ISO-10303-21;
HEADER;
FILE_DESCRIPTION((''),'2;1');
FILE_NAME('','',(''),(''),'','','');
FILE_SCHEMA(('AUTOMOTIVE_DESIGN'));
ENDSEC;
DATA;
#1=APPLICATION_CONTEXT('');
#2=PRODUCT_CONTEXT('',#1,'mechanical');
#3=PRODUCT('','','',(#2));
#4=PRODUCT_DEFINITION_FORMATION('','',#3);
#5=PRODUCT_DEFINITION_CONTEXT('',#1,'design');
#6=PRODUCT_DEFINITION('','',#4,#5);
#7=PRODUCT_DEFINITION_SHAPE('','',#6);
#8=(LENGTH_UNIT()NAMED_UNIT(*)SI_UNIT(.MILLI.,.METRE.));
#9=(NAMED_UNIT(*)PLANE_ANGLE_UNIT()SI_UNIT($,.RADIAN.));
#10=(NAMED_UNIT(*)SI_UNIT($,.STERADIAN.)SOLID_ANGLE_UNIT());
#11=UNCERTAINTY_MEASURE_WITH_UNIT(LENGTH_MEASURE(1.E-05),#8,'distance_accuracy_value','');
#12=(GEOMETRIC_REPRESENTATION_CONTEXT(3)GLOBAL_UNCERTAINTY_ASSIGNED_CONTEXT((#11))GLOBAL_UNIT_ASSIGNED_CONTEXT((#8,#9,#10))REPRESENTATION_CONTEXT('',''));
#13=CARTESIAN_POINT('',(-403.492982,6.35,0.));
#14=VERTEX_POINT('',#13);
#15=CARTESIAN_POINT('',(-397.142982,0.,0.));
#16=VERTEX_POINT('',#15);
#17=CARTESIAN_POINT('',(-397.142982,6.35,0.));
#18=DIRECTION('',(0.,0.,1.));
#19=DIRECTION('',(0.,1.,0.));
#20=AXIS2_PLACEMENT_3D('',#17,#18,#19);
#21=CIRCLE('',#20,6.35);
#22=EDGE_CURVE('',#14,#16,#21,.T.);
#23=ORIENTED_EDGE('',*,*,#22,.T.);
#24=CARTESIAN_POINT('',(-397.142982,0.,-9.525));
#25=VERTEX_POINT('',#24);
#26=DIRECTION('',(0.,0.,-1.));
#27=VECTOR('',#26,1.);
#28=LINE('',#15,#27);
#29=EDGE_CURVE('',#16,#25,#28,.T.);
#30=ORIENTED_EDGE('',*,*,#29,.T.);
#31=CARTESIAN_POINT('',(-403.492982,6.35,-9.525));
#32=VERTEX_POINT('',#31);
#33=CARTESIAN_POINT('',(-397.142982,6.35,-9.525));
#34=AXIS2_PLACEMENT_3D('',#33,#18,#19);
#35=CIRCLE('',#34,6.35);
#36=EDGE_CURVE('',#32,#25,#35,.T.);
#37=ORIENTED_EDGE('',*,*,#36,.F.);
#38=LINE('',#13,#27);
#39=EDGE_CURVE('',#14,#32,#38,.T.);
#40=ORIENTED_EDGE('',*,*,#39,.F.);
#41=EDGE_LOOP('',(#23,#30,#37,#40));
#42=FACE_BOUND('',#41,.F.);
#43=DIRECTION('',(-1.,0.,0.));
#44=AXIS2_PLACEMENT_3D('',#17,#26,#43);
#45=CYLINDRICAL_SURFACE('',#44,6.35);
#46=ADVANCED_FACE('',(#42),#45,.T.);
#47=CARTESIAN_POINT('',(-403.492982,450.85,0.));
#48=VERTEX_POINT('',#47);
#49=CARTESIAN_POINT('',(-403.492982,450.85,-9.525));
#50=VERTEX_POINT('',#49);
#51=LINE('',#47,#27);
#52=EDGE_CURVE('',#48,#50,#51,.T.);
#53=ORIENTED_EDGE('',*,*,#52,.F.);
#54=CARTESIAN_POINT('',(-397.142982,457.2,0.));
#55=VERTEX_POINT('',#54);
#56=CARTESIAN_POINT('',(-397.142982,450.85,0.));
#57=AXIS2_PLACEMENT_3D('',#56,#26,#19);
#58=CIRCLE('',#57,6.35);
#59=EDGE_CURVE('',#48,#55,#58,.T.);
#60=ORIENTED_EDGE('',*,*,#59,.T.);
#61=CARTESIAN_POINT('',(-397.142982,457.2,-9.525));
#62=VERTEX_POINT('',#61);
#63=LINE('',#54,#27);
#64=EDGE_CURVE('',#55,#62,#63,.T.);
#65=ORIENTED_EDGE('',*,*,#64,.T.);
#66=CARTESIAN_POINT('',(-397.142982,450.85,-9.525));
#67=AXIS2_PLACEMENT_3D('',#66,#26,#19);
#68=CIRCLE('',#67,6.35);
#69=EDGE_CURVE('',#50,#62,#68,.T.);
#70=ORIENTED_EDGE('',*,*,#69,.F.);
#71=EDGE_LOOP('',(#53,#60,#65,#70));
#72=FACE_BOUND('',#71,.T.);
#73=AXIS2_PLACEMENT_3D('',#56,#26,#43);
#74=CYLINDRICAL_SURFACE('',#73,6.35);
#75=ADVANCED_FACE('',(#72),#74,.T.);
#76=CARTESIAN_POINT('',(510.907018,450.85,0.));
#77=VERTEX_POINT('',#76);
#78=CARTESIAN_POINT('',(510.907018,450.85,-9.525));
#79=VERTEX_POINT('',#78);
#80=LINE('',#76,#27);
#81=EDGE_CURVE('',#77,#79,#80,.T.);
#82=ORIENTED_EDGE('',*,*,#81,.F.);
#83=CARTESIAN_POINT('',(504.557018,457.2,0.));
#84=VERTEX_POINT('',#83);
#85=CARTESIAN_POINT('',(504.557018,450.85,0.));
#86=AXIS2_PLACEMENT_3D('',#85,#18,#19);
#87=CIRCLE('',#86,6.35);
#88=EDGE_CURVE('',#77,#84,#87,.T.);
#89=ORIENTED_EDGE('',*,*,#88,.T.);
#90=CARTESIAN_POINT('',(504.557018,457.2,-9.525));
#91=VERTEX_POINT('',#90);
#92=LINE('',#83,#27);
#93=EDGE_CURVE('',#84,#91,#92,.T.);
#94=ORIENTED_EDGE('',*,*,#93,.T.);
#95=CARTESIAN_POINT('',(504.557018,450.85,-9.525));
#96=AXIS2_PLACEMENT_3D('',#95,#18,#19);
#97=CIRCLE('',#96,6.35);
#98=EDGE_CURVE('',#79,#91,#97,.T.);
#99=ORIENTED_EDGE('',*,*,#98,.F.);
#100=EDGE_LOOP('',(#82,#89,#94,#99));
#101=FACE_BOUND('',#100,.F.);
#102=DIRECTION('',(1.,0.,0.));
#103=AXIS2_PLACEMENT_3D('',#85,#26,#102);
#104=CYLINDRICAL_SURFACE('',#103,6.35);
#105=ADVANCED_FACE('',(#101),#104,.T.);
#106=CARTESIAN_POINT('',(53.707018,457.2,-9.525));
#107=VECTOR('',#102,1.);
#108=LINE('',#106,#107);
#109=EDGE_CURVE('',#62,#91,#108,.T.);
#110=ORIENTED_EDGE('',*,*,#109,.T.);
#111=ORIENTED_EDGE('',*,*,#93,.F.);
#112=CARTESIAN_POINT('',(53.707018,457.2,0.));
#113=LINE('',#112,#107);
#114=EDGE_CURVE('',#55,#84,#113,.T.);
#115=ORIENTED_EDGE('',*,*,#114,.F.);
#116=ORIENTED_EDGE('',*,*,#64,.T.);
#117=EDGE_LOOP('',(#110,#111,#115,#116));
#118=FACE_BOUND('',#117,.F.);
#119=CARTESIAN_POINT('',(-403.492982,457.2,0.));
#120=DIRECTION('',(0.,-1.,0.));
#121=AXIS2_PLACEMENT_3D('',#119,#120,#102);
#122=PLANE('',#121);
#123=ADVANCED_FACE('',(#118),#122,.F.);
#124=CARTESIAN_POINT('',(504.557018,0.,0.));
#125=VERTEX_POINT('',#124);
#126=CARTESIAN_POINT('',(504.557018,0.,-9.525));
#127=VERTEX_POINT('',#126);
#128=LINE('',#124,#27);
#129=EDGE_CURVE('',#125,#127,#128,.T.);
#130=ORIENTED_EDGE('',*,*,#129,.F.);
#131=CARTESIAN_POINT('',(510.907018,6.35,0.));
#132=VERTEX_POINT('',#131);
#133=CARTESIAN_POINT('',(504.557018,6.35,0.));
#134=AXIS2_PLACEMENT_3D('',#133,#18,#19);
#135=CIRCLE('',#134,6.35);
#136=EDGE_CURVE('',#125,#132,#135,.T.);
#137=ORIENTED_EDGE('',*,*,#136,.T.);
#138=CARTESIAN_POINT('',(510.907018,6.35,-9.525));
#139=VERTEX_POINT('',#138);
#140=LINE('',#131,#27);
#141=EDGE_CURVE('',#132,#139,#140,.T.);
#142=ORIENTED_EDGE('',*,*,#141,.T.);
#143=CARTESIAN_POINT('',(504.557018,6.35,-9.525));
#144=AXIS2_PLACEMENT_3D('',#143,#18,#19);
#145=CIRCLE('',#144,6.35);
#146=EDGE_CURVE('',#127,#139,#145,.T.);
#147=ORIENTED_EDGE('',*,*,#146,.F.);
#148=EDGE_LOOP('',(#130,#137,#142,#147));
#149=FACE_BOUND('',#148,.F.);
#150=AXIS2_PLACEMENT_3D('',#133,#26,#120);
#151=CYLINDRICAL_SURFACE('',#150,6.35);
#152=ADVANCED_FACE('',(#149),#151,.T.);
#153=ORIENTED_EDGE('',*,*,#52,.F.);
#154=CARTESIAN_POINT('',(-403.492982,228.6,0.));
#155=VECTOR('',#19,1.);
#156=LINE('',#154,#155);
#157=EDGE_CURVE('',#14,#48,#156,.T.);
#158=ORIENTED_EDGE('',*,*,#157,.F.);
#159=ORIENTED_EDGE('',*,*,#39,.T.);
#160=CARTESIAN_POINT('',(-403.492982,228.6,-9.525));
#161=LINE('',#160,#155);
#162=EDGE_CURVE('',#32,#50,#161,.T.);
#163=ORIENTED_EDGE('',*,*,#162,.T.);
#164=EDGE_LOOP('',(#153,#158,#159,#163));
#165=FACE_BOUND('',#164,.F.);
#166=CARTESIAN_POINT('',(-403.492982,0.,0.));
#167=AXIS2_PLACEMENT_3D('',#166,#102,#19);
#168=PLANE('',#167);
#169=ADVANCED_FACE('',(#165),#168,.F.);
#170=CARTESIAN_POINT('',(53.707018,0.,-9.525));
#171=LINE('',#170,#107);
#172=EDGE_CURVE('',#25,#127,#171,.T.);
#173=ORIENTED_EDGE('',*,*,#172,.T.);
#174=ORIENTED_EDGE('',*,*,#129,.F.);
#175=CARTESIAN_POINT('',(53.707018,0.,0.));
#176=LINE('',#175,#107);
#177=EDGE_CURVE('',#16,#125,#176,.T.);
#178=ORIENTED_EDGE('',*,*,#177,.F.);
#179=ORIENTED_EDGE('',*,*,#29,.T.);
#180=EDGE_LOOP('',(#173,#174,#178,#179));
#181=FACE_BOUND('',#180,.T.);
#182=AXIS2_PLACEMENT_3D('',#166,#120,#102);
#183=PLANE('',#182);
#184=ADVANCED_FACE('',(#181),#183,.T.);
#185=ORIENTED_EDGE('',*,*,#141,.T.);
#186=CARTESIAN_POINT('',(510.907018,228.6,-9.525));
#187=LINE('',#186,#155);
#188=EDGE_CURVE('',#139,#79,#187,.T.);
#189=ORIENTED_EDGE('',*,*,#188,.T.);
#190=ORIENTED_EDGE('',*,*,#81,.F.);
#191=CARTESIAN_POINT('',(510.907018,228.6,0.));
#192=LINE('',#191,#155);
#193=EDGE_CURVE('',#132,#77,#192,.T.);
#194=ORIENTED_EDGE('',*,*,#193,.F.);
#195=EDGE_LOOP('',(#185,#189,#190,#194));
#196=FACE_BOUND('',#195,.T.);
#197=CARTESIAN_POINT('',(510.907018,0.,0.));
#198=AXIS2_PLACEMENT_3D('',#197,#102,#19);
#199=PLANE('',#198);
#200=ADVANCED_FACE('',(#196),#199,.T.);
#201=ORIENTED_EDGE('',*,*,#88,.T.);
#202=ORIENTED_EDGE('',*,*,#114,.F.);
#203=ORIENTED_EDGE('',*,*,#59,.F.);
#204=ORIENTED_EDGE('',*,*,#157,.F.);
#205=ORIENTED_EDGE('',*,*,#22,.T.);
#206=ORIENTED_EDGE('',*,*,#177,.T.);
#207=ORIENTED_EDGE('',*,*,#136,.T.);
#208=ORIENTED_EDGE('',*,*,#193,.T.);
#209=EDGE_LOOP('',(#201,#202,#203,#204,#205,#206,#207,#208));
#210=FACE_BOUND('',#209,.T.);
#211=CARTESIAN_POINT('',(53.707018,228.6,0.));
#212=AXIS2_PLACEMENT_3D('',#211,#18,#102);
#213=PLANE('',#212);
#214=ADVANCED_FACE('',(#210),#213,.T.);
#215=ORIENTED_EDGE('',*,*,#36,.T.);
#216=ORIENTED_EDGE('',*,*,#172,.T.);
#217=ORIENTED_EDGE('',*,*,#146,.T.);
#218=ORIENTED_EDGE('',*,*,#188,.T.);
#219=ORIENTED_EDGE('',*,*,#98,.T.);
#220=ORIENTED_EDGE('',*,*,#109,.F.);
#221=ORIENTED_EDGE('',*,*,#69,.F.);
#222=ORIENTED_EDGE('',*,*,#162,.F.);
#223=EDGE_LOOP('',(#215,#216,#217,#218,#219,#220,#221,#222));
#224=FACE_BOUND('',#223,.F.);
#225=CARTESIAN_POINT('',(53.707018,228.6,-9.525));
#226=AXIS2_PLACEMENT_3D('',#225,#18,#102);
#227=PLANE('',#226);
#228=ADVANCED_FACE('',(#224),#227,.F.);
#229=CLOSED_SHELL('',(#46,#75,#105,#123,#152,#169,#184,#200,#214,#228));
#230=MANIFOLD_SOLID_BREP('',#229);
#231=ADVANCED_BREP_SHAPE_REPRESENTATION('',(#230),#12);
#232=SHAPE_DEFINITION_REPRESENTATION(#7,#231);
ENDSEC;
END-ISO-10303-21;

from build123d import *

# Parameters (mm, degrees)
F0_W     = 914.4
F0_H     = 457.2
F1_DEPTH = 9.525
F2_R     = 6.35


with BuildPart() as f1:
    # F0 (on Top) → F1 (new body)
    with BuildSketch(Plane.XY):
        with Locations((53.707018, 228.6)):
            Rectangle(F0_W, F0_H)
    extrude(amount=-F1_DEPTH)

    # F2
    f2_edges = [f1.edges().sort_by_distance(p)[0] for p in [
        (-403.492982, 457.2, -4.7625),
        (-403.492982, 0, -4.7625),
        (510.907018, 0, -4.7625),
        (510.907018, 457.2, -4.7625),
    ]]
    fillet(f2_edges, radius=F2_R)


solid = f1.part
